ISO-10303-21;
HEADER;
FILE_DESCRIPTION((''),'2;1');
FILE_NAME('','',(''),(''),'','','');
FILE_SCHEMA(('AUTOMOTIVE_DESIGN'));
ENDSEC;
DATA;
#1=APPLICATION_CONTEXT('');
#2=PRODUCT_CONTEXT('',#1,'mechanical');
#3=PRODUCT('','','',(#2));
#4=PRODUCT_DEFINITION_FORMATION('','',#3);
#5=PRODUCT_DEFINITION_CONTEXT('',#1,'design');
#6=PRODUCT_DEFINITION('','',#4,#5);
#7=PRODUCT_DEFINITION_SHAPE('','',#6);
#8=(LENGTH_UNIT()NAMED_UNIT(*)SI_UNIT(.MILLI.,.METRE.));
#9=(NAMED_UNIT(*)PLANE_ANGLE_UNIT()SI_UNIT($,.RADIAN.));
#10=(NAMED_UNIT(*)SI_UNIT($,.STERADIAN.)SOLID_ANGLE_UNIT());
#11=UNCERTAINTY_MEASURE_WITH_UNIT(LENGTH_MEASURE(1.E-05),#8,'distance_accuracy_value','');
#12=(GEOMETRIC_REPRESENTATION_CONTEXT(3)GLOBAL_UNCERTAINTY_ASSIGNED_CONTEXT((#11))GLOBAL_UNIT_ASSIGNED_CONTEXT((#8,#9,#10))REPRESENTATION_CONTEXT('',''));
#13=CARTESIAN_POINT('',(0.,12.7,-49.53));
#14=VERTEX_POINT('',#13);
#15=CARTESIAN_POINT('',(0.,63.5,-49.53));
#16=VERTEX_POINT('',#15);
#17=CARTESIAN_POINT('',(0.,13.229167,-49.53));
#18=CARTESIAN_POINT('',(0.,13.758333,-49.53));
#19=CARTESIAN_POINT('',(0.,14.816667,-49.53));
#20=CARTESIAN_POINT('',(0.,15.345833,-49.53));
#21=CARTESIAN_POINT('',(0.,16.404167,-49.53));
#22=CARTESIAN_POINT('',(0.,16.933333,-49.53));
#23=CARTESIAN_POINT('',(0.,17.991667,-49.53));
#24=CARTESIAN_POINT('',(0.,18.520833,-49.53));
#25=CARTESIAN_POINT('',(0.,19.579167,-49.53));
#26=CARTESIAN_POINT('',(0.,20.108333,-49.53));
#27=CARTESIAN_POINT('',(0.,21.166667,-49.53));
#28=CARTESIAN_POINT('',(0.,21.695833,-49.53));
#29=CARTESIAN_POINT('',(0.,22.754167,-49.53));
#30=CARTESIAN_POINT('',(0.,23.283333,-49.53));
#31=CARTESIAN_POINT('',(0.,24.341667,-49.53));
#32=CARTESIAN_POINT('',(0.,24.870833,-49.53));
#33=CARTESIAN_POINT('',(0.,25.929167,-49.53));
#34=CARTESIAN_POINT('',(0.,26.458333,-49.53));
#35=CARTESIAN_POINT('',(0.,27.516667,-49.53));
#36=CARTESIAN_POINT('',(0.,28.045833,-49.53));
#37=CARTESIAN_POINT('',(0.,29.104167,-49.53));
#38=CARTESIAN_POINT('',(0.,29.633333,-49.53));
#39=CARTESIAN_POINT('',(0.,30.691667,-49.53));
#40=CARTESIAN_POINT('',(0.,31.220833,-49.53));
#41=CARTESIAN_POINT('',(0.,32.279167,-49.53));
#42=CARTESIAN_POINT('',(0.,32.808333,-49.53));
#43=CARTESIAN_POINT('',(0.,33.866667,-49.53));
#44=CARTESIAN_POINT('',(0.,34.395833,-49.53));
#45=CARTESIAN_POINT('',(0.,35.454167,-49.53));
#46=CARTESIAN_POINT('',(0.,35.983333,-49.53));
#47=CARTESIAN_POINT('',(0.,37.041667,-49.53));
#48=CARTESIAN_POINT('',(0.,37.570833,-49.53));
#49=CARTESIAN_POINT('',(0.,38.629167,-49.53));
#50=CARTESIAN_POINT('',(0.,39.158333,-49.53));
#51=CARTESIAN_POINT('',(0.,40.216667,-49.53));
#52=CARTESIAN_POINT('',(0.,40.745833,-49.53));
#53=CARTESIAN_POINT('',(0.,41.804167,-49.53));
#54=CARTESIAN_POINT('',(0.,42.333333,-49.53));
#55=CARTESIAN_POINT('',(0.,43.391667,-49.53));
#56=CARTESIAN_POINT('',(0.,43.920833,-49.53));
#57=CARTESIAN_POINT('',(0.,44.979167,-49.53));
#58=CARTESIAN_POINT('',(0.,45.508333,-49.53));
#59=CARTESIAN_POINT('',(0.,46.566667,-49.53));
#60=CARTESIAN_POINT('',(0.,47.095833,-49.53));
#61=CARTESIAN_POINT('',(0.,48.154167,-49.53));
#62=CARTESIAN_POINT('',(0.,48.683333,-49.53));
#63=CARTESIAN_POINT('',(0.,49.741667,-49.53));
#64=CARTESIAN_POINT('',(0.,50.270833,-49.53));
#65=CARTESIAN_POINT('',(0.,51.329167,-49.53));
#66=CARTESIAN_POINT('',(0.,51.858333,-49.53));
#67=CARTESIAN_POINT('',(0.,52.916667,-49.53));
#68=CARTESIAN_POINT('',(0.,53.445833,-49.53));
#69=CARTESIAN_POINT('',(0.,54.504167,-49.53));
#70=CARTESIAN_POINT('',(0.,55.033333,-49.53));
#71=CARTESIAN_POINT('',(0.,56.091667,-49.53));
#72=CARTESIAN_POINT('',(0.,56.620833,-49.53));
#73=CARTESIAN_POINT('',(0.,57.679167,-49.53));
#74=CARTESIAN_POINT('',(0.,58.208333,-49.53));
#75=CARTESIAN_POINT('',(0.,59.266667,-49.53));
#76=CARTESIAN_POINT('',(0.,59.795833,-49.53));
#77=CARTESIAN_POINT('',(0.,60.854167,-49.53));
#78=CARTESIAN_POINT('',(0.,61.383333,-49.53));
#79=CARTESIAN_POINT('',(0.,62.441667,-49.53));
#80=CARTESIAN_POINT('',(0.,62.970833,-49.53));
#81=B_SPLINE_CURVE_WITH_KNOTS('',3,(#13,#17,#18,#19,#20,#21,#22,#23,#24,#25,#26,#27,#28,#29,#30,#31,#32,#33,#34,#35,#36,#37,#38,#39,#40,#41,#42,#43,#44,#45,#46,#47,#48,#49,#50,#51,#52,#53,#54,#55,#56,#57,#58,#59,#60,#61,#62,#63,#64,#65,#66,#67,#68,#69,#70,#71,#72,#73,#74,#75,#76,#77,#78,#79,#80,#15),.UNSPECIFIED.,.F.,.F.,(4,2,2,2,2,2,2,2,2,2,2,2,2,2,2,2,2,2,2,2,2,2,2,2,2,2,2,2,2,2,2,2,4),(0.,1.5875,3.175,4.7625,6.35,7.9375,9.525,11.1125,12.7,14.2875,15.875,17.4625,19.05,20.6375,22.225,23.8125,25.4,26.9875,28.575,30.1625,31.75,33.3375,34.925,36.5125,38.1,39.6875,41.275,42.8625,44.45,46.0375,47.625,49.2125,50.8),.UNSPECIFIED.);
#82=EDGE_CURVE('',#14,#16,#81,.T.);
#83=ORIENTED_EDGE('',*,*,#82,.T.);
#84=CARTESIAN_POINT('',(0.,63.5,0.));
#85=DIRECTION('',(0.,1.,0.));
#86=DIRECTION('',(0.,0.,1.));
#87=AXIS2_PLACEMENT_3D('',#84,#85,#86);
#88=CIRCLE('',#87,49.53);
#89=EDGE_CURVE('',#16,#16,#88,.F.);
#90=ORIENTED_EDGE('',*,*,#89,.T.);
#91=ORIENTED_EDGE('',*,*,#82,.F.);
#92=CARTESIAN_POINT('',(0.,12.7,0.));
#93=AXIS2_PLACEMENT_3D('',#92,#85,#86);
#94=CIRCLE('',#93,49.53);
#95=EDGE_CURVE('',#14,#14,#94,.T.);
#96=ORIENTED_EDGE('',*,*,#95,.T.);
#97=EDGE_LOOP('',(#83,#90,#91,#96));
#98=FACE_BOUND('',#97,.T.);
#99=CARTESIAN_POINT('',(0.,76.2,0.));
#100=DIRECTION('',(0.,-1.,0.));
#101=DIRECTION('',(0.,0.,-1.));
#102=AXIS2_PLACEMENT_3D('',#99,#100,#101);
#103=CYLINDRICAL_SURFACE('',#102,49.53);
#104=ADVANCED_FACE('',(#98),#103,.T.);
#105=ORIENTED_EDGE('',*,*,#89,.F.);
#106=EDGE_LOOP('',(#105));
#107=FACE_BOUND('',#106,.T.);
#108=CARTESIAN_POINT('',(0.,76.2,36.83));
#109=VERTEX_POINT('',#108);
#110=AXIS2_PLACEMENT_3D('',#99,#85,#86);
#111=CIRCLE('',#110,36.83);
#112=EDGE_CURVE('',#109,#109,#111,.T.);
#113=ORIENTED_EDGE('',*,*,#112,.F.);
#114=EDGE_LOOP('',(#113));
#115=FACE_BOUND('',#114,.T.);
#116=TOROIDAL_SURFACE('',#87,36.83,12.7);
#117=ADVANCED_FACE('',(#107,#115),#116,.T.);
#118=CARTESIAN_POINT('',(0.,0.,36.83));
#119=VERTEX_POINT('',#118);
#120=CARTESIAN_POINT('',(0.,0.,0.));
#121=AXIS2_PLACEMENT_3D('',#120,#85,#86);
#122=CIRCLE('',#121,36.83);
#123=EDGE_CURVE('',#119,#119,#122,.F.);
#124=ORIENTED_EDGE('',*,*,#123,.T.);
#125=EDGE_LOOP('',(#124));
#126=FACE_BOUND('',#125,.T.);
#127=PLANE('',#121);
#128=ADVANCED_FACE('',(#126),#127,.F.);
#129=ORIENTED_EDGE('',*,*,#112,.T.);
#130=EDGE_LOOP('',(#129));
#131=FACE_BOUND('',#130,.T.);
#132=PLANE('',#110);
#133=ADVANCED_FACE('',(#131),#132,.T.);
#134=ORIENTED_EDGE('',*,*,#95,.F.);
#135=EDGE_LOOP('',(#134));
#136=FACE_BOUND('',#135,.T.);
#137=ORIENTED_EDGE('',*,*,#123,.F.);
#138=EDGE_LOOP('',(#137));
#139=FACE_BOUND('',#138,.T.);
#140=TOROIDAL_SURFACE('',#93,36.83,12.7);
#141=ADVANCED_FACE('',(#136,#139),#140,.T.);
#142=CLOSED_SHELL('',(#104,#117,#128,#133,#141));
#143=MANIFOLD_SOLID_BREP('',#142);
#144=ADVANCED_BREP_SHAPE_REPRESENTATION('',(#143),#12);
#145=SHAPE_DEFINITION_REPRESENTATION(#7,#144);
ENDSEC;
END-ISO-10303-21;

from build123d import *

# Parameters (mm, degrees)
SKETCH1_R           = 49.53
BOSS_EXTRUDE1_DEPTH = 76.2
FILLET1_R           = 12.7


with BuildPart() as part:
    # Sketch1 → Boss-Extrude1 (new body)
    with BuildSketch(Plane(origin=(0, 0, 0), x_dir=(1, 0, 0), z_dir=(0, 1, 0))):
        with Locations(Location((0, 0, 0), (0, 0, 90))):
            Circle(SKETCH1_R)
    extrude(amount=BOSS_EXTRUDE1_DEPTH)

    # Fillet1
    fillet1_edges = [part.edges().sort_by_distance(p)[0] for p in [
        (0, 0, 49.53),
        (0, 76.2, 49.53),
    ]]
    fillet(fillet1_edges, radius=FILLET1_R)


solid = part.part
